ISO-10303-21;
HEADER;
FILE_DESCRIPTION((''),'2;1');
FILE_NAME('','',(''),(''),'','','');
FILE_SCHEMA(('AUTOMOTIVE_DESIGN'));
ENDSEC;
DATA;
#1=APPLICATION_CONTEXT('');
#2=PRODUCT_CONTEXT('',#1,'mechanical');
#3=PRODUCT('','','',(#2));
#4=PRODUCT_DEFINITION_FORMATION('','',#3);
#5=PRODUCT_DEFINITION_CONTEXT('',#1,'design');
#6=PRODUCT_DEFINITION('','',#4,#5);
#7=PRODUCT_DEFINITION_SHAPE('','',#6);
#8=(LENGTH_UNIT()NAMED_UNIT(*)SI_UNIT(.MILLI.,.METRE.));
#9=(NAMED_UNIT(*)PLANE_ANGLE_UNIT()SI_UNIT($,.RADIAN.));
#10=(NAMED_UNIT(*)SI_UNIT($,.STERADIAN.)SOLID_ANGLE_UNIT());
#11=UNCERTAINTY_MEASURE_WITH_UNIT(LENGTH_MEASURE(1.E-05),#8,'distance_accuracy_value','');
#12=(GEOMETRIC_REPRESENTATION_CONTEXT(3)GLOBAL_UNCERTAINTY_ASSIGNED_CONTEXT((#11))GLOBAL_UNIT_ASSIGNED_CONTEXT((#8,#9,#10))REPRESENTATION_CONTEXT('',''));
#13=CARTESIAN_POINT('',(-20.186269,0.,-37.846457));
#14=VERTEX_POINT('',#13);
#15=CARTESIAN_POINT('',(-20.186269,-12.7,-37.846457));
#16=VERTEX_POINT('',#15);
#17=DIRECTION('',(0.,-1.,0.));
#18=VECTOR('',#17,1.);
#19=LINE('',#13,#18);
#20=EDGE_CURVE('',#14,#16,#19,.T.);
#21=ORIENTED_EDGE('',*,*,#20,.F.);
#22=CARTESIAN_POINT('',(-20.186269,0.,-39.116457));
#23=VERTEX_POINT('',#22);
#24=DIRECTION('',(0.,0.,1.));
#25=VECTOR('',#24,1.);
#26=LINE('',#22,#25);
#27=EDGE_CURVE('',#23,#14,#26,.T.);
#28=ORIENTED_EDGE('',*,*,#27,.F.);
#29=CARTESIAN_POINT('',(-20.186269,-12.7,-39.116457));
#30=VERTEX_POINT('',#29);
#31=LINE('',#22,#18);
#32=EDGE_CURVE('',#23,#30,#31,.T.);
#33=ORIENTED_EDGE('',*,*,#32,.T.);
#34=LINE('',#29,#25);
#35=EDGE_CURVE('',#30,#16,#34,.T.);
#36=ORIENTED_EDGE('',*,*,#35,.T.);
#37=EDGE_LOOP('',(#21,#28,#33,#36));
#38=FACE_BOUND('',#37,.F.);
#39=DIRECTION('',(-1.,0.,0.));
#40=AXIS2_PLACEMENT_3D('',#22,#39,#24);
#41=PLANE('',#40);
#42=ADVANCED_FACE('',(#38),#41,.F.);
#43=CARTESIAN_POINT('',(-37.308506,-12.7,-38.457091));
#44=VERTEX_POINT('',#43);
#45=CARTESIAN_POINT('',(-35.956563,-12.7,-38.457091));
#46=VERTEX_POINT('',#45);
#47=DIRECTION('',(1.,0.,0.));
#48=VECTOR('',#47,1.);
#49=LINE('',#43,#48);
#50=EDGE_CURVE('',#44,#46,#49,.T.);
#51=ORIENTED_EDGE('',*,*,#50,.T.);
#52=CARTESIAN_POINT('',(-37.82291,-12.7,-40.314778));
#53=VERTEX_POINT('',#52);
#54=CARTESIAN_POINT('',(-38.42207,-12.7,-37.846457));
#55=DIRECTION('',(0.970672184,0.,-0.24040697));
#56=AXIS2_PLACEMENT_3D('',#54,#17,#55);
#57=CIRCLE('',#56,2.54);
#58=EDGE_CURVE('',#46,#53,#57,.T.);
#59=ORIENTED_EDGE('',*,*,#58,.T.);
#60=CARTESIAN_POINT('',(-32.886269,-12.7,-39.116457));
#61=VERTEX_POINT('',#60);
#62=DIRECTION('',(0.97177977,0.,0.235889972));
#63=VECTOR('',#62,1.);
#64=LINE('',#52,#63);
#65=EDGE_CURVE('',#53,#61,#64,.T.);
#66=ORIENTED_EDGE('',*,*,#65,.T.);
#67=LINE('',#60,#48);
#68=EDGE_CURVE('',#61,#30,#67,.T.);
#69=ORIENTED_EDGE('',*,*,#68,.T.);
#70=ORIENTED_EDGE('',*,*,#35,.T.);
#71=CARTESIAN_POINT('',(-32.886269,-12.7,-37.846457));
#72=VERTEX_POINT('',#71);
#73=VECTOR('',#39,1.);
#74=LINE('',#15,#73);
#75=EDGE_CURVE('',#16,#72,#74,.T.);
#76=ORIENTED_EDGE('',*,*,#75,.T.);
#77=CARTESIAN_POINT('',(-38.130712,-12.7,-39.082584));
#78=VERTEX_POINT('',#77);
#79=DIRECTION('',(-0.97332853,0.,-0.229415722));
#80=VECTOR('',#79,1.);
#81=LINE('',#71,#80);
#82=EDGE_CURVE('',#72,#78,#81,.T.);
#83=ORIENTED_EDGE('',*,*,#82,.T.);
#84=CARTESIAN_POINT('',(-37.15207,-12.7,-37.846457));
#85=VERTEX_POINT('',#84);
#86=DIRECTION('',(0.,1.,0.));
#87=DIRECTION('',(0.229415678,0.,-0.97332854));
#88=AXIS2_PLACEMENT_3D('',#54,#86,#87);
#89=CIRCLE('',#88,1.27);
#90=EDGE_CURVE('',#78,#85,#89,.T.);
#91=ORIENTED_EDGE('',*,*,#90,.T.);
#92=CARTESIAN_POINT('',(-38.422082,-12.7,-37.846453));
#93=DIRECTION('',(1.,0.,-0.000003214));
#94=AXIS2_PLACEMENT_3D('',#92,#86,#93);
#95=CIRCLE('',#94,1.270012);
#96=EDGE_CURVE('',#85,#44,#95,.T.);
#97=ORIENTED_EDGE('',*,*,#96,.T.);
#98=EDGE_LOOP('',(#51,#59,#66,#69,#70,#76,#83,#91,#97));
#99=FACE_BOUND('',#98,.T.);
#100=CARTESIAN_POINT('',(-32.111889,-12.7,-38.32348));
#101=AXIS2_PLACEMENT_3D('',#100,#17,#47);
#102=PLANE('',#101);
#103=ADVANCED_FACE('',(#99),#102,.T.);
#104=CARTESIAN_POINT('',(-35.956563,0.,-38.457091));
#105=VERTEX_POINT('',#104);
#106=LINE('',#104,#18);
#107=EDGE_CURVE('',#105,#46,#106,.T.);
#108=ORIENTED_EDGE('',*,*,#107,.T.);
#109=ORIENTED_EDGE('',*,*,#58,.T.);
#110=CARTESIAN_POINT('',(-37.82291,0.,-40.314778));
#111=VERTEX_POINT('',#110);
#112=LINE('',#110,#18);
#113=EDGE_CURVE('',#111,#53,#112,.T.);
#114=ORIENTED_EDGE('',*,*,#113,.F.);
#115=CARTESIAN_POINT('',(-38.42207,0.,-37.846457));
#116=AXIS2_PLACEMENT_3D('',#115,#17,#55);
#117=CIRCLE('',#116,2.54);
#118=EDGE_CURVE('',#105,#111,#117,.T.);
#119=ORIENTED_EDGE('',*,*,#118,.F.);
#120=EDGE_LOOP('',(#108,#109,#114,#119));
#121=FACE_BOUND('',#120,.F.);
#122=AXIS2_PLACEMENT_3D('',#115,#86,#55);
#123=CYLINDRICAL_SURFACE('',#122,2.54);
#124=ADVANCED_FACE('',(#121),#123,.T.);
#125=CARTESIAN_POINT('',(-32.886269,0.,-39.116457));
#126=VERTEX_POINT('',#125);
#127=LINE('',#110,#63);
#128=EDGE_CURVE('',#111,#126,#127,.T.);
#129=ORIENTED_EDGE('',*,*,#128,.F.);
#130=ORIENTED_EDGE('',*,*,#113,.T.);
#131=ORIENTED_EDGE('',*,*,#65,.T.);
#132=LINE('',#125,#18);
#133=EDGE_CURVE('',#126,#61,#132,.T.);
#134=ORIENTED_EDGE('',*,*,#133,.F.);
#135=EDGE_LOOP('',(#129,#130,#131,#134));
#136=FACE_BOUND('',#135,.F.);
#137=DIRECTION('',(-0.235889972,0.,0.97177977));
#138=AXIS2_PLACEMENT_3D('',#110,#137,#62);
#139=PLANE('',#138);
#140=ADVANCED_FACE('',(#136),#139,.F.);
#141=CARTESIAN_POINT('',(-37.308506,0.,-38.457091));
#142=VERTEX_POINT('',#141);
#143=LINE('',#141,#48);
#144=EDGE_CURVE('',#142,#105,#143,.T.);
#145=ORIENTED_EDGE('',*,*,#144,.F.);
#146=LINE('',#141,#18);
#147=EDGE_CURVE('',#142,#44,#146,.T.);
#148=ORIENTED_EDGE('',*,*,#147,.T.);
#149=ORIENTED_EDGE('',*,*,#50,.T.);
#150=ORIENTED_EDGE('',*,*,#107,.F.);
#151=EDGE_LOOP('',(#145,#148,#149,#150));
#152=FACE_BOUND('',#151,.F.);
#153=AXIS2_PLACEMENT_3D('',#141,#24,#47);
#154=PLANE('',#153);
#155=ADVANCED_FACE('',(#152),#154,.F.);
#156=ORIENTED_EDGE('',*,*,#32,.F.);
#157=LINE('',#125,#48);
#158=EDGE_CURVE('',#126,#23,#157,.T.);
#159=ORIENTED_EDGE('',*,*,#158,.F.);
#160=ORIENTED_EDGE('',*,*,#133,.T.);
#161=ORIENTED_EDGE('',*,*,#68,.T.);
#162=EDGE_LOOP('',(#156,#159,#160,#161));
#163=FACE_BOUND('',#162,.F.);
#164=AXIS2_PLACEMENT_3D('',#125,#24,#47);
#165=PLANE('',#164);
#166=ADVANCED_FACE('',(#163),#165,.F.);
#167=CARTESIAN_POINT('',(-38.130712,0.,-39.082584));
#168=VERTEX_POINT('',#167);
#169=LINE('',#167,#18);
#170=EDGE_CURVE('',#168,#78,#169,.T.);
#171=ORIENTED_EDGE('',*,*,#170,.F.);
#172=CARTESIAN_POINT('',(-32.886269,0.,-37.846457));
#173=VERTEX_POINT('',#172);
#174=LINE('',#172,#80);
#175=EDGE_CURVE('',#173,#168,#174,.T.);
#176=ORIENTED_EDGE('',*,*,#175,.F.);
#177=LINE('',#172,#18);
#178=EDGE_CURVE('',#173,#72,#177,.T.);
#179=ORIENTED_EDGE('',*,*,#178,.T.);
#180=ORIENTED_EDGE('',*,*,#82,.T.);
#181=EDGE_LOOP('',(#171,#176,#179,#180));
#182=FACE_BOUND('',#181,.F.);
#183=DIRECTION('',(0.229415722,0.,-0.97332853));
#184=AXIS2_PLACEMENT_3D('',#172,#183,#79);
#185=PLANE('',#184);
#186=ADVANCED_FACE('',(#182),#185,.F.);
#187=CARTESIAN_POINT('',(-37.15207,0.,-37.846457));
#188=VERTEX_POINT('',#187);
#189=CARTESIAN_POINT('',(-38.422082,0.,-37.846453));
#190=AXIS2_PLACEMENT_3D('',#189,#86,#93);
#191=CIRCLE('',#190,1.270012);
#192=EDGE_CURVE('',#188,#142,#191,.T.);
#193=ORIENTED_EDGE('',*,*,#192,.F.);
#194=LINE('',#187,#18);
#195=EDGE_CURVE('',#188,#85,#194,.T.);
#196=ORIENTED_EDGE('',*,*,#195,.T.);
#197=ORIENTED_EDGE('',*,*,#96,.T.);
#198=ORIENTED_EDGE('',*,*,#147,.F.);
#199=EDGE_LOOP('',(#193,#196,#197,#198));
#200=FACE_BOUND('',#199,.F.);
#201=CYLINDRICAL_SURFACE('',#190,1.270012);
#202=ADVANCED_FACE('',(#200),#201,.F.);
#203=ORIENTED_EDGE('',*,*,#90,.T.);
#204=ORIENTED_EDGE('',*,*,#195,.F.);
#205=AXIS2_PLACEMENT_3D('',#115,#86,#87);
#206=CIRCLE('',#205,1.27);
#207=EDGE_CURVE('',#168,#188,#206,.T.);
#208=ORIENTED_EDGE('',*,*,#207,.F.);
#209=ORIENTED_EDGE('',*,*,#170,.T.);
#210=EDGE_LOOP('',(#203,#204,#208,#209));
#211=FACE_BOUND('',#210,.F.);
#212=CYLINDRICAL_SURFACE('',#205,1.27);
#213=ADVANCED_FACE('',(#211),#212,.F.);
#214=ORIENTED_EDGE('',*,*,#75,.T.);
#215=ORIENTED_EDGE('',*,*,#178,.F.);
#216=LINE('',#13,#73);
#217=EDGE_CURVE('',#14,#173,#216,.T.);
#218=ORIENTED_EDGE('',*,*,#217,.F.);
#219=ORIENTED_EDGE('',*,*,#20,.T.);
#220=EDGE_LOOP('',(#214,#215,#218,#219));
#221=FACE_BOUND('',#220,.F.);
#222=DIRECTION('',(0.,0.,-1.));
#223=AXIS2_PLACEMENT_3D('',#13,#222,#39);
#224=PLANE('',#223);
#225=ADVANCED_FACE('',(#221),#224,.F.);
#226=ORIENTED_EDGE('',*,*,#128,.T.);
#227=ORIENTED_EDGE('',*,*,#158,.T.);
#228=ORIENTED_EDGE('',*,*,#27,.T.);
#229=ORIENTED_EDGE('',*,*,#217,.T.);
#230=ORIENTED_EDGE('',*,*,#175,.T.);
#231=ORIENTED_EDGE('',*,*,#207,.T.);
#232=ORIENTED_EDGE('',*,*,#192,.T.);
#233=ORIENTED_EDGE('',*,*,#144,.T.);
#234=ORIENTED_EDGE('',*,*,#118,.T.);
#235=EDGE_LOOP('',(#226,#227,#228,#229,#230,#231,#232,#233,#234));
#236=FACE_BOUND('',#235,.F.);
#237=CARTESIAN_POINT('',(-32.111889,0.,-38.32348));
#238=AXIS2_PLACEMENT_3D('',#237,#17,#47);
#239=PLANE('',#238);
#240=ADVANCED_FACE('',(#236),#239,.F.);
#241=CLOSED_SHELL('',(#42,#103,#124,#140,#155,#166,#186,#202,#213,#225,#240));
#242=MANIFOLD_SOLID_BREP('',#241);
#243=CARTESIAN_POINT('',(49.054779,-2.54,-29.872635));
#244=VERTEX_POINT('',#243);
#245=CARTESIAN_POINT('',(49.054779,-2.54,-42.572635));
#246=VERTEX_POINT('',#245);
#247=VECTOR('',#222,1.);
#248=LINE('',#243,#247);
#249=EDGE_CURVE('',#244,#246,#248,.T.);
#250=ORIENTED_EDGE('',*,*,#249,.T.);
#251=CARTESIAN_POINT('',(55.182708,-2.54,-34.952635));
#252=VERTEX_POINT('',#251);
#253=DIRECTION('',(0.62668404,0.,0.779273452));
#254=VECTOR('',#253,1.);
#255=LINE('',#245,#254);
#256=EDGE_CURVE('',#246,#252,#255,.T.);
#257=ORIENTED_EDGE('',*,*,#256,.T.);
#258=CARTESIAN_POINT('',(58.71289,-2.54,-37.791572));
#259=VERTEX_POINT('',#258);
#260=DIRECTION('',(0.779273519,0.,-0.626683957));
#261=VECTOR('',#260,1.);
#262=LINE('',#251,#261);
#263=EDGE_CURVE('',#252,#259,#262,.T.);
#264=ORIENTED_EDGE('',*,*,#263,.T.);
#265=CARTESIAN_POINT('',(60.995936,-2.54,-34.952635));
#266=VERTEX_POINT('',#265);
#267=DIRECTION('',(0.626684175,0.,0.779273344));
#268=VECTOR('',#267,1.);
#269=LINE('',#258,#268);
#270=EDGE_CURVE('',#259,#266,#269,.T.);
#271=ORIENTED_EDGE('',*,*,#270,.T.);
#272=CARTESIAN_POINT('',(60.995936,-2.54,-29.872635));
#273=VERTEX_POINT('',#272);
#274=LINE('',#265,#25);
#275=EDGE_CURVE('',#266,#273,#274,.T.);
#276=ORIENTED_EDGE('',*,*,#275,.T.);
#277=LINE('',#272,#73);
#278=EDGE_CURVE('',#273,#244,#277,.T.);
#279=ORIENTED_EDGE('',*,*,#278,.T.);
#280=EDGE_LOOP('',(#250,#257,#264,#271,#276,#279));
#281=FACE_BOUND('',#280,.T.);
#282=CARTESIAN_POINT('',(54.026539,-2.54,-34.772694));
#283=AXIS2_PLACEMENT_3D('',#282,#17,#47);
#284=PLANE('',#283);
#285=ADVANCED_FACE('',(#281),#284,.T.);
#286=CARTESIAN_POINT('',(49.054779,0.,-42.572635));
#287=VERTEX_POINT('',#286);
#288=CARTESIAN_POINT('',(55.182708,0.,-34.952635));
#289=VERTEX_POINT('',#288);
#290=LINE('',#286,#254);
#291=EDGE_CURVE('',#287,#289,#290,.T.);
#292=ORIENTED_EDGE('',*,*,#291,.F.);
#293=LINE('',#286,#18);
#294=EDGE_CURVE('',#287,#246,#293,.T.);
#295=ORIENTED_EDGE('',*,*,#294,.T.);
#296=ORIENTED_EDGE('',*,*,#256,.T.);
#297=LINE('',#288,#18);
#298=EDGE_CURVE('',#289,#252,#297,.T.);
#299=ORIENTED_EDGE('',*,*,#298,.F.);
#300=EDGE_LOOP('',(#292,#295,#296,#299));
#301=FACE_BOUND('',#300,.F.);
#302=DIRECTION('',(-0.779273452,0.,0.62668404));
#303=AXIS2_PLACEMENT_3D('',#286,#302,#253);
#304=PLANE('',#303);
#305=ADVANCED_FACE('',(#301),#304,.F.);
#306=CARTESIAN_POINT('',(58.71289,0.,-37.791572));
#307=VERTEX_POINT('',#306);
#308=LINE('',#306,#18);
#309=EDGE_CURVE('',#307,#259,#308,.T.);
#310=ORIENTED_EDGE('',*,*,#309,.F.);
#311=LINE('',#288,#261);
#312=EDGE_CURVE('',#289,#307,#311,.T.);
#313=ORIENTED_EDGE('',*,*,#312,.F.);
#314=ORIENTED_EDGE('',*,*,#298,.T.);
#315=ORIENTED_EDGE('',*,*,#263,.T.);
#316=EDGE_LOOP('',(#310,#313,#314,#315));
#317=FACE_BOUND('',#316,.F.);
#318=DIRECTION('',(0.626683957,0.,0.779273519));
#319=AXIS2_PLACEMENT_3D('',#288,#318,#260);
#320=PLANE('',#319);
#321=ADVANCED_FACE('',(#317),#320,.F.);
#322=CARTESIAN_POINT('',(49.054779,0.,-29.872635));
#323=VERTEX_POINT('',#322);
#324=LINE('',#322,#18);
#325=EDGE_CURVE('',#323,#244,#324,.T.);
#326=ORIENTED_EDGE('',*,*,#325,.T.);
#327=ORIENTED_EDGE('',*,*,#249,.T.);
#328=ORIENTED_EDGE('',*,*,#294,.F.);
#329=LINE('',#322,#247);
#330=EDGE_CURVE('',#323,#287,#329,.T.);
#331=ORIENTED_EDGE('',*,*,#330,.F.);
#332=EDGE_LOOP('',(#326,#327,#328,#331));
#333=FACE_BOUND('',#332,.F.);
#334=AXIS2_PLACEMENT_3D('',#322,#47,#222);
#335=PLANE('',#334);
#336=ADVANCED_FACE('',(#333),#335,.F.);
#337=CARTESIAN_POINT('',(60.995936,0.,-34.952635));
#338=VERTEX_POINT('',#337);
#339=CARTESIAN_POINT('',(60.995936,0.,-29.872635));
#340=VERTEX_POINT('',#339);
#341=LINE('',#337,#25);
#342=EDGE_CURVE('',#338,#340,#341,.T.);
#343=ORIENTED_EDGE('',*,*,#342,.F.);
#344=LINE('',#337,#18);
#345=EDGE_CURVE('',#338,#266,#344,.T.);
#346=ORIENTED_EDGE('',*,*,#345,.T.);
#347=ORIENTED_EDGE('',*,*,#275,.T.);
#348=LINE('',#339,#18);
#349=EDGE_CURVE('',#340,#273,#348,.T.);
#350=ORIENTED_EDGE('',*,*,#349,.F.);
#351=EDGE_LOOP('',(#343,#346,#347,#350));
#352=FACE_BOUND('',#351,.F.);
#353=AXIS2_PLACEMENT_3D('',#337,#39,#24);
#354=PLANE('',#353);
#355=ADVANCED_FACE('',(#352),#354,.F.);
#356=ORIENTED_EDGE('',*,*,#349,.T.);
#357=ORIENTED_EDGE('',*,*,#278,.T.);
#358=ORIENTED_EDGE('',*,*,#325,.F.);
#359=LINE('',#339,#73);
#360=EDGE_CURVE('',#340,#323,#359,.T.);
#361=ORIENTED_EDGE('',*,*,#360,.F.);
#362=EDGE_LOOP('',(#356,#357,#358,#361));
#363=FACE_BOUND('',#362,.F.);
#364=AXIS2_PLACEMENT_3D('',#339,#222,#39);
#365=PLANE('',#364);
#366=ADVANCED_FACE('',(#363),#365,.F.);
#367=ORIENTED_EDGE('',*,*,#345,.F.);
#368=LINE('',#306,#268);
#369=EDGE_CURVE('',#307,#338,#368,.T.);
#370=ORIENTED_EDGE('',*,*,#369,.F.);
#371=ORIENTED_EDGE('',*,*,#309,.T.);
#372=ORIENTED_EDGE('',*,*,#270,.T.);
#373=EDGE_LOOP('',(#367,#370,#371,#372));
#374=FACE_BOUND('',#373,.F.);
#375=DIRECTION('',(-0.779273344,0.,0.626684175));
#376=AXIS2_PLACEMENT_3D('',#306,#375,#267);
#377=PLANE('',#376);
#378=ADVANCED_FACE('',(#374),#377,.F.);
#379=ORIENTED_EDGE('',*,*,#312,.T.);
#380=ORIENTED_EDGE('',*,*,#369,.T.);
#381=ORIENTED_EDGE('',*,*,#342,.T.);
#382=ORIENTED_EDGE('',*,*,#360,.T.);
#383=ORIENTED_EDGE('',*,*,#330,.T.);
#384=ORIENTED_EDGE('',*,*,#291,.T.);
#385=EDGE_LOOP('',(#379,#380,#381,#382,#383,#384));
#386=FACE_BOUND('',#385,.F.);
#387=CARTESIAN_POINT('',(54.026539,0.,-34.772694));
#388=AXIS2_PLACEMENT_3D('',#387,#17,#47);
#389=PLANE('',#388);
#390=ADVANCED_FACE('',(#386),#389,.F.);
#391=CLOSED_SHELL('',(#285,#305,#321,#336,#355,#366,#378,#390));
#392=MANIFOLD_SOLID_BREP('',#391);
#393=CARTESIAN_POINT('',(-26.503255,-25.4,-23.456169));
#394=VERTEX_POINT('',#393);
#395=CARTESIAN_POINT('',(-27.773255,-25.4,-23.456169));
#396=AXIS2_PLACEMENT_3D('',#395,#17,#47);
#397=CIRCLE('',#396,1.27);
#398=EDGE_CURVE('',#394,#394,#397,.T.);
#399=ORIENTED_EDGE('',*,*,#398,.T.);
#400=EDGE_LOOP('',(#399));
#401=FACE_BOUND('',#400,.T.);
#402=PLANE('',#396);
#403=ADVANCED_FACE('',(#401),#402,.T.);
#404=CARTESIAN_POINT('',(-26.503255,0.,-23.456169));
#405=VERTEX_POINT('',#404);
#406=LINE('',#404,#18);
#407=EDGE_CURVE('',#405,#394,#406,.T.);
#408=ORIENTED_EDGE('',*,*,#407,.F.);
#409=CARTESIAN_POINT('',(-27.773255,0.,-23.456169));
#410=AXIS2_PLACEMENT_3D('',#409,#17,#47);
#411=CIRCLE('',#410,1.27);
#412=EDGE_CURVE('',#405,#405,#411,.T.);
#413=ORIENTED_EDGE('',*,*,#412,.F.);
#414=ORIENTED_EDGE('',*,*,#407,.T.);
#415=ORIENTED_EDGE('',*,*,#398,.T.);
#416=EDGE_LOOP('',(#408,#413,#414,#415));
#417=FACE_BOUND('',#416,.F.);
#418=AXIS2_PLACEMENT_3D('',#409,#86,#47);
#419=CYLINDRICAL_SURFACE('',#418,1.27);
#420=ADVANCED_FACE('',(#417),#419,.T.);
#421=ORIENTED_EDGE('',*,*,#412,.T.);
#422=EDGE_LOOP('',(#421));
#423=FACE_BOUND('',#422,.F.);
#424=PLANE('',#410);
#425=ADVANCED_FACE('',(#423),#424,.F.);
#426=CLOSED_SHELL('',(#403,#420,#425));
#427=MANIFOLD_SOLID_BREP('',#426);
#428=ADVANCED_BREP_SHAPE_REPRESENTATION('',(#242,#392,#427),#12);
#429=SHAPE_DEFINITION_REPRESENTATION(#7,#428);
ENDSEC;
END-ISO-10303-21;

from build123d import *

# Parameters (mm, degrees)
F1_DEPTH = 12.7
F3_DEPTH = 2.54
F4_R     = 1.27
F5_DEPTH = 25.4


with BuildPart() as f1:
    # F0 (on Front) → F1 (new body)
    with BuildSketch(Plane.XZ):
        with BuildLine():
            ThreePointArc((-38.130712, -39.082584), (-39.417792, -37.058144), (-37.15207, -37.846457))
            ThreePointArc((-37.15207, -37.846457), (-37.191801, -38.161634), (-37.308506, -38.457091))
            Line((-37.308506, -38.457091), (-35.956563, -38.457091))
            ThreePointArc((-35.956563, -38.457091), (-40.21394, -36.046234), (-37.82291, -40.314778))
            Line((-37.82291, -40.314778), (-32.886269, -39.116457))
            Line((-32.886269, -39.116457), (-20.186269, -39.116457))
            Line((-20.186269, -39.116457), (-20.186269, -37.846457))
            Line((-20.186269, -37.846457), (-32.886269, -37.846457))
            Line((-32.886269, -37.846457), (-38.130712, -39.082584))
        make_face()
    extrude(amount=F1_DEPTH)


with BuildPart() as f3:
    # F2 (on Front) → F3 (new body)
    with BuildSketch(Plane.XZ):
        Polygon((60.995936, -34.952635), (60.995936, -29.872635), (49.054779, -29.872635), (49.054779, -42.572635), (55.182708, -34.952635), (58.71289, -37.791572), align=None)
    extrude(amount=F3_DEPTH)


with BuildPart() as f5:
    # F4 (on Front) → F5 (new body)
    with BuildSketch(Plane.XZ):
        with Locations((-27.773255, -23.456169)):
            Circle(F4_R)
    extrude(amount=F5_DEPTH)


solid = Compound([f1.part, f3.part, f5.part])
